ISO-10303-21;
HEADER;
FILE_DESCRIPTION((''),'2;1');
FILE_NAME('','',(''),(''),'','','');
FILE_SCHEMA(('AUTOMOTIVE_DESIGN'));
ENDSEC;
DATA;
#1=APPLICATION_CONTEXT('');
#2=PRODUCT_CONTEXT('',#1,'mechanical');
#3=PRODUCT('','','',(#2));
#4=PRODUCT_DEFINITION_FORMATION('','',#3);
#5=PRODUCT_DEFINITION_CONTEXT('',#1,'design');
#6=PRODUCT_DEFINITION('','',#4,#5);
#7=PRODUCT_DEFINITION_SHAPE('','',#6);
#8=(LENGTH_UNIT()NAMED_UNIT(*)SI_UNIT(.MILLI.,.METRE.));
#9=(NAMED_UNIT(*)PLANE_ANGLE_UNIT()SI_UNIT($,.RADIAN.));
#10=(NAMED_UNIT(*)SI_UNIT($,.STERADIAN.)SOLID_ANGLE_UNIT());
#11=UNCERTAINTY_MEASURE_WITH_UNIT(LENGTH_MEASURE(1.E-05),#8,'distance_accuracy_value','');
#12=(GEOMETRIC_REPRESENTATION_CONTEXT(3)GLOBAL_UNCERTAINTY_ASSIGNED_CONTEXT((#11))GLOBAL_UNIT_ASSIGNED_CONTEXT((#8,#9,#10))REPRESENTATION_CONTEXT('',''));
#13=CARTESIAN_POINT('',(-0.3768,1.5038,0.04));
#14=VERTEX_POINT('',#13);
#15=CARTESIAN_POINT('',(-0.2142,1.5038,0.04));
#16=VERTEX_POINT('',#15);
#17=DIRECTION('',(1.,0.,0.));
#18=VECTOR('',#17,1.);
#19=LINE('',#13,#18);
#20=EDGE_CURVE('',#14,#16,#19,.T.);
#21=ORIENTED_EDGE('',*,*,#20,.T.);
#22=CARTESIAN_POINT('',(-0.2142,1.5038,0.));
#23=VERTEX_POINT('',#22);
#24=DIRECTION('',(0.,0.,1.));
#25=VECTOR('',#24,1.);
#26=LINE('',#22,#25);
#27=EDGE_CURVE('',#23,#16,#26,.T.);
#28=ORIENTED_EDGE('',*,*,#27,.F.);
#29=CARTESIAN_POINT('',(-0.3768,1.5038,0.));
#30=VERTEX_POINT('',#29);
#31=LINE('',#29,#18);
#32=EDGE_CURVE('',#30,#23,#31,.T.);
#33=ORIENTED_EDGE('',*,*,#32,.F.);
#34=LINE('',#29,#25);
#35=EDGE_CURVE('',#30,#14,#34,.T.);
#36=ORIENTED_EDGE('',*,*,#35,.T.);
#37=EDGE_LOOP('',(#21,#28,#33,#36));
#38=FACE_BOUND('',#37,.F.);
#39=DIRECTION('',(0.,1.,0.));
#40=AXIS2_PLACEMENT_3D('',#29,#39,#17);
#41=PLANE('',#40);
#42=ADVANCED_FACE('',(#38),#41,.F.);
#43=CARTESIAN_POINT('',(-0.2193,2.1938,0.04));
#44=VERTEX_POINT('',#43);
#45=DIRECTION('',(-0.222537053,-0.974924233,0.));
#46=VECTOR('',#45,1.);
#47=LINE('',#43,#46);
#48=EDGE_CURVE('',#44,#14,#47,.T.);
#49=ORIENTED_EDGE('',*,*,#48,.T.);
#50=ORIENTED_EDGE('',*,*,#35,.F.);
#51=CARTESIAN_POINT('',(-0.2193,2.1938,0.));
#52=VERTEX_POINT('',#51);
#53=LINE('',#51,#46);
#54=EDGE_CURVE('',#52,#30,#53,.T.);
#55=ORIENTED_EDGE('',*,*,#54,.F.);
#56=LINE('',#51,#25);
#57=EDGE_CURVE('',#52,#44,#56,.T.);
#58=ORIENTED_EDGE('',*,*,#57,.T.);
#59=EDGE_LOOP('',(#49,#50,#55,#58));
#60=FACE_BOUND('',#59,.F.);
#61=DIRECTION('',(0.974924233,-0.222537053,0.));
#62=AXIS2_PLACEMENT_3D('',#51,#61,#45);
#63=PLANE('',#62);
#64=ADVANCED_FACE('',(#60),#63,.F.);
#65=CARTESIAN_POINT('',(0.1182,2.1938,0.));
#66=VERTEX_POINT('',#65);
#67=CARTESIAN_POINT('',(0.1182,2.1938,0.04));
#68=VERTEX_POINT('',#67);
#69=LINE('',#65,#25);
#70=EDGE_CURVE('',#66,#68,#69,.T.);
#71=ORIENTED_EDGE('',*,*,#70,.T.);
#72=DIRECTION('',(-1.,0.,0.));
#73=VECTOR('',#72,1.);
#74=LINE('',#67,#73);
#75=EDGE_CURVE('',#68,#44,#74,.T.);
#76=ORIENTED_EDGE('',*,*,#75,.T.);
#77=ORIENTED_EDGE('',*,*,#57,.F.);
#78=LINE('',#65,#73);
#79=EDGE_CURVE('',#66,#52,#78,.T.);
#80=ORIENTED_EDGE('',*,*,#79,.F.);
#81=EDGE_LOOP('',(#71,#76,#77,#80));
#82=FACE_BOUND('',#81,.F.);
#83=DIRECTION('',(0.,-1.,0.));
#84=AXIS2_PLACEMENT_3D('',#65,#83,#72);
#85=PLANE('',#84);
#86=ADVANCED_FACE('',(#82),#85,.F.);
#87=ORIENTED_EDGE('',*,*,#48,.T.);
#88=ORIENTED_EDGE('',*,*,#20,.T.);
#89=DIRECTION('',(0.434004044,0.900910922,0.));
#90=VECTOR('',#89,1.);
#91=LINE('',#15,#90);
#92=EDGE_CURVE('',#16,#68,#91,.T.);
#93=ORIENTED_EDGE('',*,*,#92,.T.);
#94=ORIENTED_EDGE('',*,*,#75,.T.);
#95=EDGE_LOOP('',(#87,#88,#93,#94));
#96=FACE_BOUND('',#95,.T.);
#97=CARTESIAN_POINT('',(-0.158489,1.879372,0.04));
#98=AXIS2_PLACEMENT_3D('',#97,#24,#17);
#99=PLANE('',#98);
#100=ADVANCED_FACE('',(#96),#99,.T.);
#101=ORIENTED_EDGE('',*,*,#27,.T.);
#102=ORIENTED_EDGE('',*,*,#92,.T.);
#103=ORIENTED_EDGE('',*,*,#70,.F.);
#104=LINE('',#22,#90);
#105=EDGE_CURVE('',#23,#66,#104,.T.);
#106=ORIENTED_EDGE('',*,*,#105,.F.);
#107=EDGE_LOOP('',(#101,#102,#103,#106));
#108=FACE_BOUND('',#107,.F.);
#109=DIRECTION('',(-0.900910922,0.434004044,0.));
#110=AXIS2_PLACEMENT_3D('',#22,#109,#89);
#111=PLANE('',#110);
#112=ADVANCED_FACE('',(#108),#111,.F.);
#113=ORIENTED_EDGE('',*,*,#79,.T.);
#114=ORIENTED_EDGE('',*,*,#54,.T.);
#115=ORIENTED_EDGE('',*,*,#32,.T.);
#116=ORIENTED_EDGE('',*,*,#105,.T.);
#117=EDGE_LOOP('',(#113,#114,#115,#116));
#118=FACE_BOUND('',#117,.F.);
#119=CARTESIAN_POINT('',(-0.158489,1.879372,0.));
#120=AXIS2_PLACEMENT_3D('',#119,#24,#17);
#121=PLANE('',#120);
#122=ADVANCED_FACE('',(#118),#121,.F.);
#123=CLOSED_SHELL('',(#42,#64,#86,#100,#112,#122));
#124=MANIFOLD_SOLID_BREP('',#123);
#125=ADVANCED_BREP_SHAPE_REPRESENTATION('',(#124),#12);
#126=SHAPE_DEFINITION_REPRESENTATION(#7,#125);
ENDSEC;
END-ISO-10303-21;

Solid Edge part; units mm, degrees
sketch "Sketch1" plane through (0, 0, 0) normal (0, 0, 1) x (1, 0, 0)
  line L0 (0.1182, 2.1938) -> (-0.2193, 2.1938)
  line L1 (-0.2193, 2.1938) -> (-0.3768, 1.5038)
  line L2 (-0.3768, 1.5038) -> (-0.2142, 1.5038)
  line L3 (-0.2142, 1.5038) -> (0.1182, 2.1938)
extrude "Protrusion1" add sketch "Sketch1" along normal blind 0.04
